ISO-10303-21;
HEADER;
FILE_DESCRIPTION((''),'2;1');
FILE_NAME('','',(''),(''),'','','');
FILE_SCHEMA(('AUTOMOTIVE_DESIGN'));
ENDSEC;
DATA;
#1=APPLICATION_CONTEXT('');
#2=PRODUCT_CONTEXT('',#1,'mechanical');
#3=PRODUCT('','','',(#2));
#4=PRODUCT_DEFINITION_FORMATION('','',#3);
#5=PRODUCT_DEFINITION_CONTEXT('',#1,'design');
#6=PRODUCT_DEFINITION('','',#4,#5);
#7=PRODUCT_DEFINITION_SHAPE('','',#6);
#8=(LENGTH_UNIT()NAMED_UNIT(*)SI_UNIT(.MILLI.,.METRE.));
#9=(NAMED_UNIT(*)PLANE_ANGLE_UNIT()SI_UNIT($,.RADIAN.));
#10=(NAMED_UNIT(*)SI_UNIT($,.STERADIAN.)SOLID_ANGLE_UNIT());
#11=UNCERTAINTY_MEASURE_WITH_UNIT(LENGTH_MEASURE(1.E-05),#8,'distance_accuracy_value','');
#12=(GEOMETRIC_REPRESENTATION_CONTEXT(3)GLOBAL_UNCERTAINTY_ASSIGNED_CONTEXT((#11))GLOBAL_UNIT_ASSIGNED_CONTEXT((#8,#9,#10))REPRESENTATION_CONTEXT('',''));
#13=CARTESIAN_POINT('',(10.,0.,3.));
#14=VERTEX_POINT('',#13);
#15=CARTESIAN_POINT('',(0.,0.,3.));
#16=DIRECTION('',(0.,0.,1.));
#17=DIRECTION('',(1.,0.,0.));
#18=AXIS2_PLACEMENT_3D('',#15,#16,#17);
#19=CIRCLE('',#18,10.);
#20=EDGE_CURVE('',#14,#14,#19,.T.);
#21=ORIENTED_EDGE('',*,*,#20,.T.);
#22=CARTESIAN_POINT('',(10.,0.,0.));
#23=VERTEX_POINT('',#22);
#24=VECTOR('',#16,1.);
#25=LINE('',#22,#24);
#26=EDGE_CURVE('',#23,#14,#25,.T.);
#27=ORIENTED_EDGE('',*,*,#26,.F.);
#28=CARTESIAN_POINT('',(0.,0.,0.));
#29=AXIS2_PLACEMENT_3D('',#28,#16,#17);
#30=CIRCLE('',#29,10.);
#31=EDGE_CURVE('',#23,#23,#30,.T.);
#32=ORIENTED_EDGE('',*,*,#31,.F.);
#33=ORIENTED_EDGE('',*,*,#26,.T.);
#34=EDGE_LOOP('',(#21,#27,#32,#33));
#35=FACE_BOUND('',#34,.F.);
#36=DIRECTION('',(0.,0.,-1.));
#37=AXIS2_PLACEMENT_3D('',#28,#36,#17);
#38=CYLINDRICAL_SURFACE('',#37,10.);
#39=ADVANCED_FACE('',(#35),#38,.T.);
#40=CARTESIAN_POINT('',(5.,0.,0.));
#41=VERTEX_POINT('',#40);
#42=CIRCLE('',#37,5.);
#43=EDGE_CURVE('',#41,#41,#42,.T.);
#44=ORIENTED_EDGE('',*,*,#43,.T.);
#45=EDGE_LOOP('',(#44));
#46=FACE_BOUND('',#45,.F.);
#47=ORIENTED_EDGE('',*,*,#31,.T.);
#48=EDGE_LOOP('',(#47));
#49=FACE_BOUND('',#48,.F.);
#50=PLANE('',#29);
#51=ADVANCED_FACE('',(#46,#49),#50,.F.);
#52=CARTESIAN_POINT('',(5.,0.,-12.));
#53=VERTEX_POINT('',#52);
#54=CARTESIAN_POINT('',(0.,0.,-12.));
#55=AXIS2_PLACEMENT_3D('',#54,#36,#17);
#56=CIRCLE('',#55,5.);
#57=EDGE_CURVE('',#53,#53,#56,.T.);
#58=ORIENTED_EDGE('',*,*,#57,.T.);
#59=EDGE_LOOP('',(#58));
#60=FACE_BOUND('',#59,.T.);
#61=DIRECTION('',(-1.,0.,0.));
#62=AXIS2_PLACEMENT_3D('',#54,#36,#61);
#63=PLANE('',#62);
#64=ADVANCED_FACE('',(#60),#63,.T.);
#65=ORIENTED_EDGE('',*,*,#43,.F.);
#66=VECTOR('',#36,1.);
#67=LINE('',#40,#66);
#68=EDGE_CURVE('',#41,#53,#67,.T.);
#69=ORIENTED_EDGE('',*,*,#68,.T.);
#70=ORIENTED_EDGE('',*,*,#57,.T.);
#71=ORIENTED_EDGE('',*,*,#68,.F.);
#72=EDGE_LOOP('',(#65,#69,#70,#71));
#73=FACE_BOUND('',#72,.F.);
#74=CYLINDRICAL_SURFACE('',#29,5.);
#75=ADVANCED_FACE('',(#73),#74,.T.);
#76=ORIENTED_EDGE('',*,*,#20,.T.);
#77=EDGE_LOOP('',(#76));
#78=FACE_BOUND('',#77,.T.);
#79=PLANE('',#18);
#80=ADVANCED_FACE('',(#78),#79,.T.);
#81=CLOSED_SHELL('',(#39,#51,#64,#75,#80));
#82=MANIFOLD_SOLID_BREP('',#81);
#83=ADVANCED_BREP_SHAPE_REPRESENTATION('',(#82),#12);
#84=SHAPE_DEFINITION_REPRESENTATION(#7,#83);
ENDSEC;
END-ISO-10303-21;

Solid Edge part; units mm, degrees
sketch "Sketch1" plane through (0, 0, 0) normal (0, 0, 1) x (1, 0, 0)
  circle A0 centre (0, 0) radius 10
  dimension "D1" = 20
extrude "Protrusion1" add sketch "Sketch1" along normal blind 3
sketch "Sketch2" plane through (0, 0, 0) normal (0, 0, -1) x (1, 0, 0)
  circle A0 centre (0, 0) radius 5
  dimension "D1" = 10
extrude "ExtrudedProtrusion_2" add sketch "Sketch2" along normal blind 12
properties part number "3" material "HCS"
